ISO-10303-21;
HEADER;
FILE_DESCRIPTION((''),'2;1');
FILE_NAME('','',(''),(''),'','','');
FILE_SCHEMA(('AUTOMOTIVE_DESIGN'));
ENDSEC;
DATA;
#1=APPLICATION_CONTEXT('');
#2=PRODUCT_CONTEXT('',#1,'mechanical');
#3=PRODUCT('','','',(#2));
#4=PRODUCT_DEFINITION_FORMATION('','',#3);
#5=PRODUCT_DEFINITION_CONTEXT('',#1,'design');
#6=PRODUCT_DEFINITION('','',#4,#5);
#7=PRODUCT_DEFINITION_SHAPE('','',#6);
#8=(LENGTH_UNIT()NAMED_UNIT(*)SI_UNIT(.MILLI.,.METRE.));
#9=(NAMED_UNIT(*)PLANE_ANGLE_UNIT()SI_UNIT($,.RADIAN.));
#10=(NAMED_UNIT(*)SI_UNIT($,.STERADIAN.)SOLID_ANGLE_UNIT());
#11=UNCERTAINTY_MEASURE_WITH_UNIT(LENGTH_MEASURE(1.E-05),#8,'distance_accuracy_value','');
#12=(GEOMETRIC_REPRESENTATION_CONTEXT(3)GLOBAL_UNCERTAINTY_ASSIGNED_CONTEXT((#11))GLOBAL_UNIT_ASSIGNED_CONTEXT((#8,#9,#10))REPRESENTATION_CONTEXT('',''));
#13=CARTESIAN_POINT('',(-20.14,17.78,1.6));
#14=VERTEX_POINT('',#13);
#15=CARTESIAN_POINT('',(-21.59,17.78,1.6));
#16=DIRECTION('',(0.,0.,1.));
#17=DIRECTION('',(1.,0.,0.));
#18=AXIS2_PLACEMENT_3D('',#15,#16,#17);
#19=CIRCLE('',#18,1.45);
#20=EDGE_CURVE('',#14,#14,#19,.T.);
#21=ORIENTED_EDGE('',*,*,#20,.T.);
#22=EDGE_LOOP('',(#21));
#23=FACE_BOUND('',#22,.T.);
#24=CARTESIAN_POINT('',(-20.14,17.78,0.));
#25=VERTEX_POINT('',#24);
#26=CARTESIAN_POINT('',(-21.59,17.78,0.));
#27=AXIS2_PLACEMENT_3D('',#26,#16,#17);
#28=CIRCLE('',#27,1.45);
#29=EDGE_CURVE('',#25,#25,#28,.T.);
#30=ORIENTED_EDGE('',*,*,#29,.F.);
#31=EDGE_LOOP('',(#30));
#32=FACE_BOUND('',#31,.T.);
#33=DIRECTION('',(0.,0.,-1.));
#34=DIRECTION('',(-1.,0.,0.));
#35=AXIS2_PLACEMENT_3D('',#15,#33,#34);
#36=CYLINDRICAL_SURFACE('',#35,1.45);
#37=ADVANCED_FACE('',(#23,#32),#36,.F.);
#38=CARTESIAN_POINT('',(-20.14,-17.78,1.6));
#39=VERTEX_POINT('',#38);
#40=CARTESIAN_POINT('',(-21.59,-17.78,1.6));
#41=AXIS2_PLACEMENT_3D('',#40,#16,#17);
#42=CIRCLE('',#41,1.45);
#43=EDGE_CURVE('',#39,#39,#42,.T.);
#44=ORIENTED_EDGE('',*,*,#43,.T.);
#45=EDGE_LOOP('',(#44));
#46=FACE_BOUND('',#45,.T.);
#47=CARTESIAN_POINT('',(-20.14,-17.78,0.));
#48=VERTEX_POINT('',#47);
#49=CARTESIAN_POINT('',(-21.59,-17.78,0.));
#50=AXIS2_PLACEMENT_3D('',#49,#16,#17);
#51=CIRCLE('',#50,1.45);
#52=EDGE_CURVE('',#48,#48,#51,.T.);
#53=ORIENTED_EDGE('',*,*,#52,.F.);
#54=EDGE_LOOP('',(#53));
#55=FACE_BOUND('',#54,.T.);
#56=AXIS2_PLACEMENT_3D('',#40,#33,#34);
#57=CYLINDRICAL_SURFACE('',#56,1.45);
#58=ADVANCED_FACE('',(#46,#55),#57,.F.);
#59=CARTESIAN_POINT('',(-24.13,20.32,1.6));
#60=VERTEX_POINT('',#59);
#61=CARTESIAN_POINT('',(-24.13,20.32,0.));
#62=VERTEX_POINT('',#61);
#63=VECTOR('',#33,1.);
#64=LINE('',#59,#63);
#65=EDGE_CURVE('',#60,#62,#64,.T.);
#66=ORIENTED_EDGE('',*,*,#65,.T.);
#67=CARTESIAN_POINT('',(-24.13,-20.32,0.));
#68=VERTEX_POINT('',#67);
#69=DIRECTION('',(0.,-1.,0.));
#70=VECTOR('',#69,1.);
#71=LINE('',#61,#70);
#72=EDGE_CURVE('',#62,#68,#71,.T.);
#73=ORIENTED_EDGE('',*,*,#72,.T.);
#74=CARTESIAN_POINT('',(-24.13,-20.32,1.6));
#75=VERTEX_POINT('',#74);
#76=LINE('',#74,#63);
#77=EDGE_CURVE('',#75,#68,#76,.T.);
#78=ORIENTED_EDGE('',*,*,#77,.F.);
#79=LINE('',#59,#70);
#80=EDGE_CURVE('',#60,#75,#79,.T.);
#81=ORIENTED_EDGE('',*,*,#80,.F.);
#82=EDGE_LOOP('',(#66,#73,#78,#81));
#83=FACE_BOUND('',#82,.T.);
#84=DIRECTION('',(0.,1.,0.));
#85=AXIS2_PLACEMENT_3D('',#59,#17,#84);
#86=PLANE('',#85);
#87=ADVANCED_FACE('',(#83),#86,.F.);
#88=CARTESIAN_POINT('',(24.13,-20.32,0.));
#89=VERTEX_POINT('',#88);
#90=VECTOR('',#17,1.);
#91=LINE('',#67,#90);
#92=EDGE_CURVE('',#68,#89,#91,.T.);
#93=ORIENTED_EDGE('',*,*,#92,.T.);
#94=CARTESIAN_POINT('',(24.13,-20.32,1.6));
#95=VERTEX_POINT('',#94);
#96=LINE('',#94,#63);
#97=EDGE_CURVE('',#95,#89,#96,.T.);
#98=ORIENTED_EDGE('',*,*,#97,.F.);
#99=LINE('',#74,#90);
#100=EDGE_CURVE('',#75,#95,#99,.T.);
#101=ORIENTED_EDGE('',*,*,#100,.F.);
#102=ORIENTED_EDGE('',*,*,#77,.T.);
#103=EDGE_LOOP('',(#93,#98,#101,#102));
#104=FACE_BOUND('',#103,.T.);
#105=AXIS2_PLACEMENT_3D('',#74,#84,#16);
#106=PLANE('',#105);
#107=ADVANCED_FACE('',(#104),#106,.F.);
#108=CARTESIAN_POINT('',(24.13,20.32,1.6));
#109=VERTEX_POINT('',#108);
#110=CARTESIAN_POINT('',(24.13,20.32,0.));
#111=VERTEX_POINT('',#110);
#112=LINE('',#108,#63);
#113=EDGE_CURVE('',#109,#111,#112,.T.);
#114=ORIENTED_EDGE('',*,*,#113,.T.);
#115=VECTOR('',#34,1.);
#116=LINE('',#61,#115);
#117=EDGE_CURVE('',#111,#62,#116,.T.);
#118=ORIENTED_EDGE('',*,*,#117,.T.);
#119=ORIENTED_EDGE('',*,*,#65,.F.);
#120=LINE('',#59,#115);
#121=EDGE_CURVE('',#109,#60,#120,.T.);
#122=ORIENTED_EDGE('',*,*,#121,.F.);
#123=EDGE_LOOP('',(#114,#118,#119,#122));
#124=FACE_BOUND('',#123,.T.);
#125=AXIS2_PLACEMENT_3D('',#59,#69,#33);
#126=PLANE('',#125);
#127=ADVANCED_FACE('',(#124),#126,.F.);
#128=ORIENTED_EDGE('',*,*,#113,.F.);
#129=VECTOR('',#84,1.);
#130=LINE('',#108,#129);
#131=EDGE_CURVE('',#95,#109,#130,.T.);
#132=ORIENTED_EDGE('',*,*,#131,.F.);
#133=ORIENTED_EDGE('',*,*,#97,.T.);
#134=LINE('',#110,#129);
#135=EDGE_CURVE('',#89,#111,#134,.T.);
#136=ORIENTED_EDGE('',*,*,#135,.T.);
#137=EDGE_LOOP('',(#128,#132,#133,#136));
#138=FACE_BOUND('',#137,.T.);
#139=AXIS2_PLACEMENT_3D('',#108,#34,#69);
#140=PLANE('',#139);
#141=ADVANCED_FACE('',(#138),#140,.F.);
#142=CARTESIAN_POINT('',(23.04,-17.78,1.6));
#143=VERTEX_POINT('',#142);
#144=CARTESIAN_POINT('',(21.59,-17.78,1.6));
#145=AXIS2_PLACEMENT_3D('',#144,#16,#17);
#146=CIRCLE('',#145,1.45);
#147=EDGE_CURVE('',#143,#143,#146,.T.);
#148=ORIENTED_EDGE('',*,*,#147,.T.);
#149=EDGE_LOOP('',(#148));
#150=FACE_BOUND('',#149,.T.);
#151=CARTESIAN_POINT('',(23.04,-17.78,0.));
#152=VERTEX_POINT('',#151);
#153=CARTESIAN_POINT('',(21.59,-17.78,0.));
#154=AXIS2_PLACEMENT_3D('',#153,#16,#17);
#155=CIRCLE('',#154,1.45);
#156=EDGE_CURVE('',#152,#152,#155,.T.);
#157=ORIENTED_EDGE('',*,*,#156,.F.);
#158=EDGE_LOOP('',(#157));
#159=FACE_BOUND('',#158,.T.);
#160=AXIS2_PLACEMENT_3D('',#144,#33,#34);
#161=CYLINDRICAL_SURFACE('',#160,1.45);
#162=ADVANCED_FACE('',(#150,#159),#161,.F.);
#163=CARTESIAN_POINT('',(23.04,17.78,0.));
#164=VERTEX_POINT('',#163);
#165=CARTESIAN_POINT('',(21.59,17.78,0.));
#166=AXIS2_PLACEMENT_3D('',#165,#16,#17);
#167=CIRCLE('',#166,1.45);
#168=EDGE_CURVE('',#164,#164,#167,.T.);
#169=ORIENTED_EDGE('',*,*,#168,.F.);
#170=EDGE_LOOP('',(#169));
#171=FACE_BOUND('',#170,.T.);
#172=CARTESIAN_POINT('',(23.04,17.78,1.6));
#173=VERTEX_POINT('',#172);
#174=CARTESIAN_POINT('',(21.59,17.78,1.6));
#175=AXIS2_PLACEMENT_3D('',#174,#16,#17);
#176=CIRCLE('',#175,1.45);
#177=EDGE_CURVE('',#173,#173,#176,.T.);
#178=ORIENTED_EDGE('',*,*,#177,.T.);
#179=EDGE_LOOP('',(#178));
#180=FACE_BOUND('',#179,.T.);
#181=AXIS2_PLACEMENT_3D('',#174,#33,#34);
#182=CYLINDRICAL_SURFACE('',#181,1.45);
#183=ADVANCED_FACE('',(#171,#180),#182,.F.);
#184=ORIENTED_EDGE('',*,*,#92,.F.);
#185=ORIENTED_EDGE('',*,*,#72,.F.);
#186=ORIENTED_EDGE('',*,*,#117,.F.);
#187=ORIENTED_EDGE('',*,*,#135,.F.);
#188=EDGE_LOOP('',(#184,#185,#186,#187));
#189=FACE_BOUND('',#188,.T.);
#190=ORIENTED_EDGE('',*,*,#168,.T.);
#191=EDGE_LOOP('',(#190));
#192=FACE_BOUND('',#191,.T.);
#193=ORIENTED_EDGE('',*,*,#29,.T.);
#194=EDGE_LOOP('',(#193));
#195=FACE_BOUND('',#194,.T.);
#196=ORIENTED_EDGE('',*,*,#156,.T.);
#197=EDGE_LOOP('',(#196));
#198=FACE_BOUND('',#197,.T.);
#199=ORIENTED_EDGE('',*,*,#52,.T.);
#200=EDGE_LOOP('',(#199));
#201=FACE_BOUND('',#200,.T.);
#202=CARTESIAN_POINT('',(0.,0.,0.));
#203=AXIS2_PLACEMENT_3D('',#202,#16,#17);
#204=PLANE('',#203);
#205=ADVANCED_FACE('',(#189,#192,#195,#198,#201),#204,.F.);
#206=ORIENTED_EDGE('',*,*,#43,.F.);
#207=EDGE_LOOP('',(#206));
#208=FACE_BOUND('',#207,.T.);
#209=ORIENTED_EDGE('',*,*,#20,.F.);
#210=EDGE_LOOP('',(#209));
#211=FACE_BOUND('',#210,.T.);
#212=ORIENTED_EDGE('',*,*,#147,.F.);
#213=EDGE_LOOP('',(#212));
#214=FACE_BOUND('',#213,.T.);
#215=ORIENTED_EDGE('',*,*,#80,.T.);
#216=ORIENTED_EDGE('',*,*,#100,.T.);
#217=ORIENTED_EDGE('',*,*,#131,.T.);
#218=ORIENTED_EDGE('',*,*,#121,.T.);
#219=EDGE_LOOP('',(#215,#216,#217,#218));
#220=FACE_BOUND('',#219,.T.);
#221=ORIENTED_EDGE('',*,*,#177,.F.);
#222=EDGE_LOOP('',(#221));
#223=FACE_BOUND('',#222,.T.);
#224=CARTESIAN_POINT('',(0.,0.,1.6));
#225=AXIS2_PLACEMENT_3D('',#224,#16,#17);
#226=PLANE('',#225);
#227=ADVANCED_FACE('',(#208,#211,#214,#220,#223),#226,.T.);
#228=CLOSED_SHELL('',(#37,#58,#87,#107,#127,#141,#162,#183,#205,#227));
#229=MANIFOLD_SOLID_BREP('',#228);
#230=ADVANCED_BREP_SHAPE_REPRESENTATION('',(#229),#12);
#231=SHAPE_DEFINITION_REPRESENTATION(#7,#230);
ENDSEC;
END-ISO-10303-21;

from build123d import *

# Parameters (mm, degrees)
SKETCH1_W           = 48.26
SKETCH1_H           = 40.64
SKETCH1_R           = 1.45
BOSS_EXTRUDE1_DEPTH = 1.6


with BuildPart() as part:
    # Sketch1 → Boss-Extrude1 (new body)
    with BuildSketch(Plane.XY):
        Rectangle(SKETCH1_W, SKETCH1_H)
        with Locations((-21.59, 17.78)):
            Circle(SKETCH1_R, mode=Mode.SUBTRACT)
        with Locations((21.59, 17.78)):
            Circle(SKETCH1_R, mode=Mode.SUBTRACT)
        with Locations((21.59, -17.78)):
            Circle(SKETCH1_R, mode=Mode.SUBTRACT)
        with Locations((-21.59, -17.78)):
            Circle(SKETCH1_R, mode=Mode.SUBTRACT)
    extrude(amount=BOSS_EXTRUDE1_DEPTH)


solid = part.part
